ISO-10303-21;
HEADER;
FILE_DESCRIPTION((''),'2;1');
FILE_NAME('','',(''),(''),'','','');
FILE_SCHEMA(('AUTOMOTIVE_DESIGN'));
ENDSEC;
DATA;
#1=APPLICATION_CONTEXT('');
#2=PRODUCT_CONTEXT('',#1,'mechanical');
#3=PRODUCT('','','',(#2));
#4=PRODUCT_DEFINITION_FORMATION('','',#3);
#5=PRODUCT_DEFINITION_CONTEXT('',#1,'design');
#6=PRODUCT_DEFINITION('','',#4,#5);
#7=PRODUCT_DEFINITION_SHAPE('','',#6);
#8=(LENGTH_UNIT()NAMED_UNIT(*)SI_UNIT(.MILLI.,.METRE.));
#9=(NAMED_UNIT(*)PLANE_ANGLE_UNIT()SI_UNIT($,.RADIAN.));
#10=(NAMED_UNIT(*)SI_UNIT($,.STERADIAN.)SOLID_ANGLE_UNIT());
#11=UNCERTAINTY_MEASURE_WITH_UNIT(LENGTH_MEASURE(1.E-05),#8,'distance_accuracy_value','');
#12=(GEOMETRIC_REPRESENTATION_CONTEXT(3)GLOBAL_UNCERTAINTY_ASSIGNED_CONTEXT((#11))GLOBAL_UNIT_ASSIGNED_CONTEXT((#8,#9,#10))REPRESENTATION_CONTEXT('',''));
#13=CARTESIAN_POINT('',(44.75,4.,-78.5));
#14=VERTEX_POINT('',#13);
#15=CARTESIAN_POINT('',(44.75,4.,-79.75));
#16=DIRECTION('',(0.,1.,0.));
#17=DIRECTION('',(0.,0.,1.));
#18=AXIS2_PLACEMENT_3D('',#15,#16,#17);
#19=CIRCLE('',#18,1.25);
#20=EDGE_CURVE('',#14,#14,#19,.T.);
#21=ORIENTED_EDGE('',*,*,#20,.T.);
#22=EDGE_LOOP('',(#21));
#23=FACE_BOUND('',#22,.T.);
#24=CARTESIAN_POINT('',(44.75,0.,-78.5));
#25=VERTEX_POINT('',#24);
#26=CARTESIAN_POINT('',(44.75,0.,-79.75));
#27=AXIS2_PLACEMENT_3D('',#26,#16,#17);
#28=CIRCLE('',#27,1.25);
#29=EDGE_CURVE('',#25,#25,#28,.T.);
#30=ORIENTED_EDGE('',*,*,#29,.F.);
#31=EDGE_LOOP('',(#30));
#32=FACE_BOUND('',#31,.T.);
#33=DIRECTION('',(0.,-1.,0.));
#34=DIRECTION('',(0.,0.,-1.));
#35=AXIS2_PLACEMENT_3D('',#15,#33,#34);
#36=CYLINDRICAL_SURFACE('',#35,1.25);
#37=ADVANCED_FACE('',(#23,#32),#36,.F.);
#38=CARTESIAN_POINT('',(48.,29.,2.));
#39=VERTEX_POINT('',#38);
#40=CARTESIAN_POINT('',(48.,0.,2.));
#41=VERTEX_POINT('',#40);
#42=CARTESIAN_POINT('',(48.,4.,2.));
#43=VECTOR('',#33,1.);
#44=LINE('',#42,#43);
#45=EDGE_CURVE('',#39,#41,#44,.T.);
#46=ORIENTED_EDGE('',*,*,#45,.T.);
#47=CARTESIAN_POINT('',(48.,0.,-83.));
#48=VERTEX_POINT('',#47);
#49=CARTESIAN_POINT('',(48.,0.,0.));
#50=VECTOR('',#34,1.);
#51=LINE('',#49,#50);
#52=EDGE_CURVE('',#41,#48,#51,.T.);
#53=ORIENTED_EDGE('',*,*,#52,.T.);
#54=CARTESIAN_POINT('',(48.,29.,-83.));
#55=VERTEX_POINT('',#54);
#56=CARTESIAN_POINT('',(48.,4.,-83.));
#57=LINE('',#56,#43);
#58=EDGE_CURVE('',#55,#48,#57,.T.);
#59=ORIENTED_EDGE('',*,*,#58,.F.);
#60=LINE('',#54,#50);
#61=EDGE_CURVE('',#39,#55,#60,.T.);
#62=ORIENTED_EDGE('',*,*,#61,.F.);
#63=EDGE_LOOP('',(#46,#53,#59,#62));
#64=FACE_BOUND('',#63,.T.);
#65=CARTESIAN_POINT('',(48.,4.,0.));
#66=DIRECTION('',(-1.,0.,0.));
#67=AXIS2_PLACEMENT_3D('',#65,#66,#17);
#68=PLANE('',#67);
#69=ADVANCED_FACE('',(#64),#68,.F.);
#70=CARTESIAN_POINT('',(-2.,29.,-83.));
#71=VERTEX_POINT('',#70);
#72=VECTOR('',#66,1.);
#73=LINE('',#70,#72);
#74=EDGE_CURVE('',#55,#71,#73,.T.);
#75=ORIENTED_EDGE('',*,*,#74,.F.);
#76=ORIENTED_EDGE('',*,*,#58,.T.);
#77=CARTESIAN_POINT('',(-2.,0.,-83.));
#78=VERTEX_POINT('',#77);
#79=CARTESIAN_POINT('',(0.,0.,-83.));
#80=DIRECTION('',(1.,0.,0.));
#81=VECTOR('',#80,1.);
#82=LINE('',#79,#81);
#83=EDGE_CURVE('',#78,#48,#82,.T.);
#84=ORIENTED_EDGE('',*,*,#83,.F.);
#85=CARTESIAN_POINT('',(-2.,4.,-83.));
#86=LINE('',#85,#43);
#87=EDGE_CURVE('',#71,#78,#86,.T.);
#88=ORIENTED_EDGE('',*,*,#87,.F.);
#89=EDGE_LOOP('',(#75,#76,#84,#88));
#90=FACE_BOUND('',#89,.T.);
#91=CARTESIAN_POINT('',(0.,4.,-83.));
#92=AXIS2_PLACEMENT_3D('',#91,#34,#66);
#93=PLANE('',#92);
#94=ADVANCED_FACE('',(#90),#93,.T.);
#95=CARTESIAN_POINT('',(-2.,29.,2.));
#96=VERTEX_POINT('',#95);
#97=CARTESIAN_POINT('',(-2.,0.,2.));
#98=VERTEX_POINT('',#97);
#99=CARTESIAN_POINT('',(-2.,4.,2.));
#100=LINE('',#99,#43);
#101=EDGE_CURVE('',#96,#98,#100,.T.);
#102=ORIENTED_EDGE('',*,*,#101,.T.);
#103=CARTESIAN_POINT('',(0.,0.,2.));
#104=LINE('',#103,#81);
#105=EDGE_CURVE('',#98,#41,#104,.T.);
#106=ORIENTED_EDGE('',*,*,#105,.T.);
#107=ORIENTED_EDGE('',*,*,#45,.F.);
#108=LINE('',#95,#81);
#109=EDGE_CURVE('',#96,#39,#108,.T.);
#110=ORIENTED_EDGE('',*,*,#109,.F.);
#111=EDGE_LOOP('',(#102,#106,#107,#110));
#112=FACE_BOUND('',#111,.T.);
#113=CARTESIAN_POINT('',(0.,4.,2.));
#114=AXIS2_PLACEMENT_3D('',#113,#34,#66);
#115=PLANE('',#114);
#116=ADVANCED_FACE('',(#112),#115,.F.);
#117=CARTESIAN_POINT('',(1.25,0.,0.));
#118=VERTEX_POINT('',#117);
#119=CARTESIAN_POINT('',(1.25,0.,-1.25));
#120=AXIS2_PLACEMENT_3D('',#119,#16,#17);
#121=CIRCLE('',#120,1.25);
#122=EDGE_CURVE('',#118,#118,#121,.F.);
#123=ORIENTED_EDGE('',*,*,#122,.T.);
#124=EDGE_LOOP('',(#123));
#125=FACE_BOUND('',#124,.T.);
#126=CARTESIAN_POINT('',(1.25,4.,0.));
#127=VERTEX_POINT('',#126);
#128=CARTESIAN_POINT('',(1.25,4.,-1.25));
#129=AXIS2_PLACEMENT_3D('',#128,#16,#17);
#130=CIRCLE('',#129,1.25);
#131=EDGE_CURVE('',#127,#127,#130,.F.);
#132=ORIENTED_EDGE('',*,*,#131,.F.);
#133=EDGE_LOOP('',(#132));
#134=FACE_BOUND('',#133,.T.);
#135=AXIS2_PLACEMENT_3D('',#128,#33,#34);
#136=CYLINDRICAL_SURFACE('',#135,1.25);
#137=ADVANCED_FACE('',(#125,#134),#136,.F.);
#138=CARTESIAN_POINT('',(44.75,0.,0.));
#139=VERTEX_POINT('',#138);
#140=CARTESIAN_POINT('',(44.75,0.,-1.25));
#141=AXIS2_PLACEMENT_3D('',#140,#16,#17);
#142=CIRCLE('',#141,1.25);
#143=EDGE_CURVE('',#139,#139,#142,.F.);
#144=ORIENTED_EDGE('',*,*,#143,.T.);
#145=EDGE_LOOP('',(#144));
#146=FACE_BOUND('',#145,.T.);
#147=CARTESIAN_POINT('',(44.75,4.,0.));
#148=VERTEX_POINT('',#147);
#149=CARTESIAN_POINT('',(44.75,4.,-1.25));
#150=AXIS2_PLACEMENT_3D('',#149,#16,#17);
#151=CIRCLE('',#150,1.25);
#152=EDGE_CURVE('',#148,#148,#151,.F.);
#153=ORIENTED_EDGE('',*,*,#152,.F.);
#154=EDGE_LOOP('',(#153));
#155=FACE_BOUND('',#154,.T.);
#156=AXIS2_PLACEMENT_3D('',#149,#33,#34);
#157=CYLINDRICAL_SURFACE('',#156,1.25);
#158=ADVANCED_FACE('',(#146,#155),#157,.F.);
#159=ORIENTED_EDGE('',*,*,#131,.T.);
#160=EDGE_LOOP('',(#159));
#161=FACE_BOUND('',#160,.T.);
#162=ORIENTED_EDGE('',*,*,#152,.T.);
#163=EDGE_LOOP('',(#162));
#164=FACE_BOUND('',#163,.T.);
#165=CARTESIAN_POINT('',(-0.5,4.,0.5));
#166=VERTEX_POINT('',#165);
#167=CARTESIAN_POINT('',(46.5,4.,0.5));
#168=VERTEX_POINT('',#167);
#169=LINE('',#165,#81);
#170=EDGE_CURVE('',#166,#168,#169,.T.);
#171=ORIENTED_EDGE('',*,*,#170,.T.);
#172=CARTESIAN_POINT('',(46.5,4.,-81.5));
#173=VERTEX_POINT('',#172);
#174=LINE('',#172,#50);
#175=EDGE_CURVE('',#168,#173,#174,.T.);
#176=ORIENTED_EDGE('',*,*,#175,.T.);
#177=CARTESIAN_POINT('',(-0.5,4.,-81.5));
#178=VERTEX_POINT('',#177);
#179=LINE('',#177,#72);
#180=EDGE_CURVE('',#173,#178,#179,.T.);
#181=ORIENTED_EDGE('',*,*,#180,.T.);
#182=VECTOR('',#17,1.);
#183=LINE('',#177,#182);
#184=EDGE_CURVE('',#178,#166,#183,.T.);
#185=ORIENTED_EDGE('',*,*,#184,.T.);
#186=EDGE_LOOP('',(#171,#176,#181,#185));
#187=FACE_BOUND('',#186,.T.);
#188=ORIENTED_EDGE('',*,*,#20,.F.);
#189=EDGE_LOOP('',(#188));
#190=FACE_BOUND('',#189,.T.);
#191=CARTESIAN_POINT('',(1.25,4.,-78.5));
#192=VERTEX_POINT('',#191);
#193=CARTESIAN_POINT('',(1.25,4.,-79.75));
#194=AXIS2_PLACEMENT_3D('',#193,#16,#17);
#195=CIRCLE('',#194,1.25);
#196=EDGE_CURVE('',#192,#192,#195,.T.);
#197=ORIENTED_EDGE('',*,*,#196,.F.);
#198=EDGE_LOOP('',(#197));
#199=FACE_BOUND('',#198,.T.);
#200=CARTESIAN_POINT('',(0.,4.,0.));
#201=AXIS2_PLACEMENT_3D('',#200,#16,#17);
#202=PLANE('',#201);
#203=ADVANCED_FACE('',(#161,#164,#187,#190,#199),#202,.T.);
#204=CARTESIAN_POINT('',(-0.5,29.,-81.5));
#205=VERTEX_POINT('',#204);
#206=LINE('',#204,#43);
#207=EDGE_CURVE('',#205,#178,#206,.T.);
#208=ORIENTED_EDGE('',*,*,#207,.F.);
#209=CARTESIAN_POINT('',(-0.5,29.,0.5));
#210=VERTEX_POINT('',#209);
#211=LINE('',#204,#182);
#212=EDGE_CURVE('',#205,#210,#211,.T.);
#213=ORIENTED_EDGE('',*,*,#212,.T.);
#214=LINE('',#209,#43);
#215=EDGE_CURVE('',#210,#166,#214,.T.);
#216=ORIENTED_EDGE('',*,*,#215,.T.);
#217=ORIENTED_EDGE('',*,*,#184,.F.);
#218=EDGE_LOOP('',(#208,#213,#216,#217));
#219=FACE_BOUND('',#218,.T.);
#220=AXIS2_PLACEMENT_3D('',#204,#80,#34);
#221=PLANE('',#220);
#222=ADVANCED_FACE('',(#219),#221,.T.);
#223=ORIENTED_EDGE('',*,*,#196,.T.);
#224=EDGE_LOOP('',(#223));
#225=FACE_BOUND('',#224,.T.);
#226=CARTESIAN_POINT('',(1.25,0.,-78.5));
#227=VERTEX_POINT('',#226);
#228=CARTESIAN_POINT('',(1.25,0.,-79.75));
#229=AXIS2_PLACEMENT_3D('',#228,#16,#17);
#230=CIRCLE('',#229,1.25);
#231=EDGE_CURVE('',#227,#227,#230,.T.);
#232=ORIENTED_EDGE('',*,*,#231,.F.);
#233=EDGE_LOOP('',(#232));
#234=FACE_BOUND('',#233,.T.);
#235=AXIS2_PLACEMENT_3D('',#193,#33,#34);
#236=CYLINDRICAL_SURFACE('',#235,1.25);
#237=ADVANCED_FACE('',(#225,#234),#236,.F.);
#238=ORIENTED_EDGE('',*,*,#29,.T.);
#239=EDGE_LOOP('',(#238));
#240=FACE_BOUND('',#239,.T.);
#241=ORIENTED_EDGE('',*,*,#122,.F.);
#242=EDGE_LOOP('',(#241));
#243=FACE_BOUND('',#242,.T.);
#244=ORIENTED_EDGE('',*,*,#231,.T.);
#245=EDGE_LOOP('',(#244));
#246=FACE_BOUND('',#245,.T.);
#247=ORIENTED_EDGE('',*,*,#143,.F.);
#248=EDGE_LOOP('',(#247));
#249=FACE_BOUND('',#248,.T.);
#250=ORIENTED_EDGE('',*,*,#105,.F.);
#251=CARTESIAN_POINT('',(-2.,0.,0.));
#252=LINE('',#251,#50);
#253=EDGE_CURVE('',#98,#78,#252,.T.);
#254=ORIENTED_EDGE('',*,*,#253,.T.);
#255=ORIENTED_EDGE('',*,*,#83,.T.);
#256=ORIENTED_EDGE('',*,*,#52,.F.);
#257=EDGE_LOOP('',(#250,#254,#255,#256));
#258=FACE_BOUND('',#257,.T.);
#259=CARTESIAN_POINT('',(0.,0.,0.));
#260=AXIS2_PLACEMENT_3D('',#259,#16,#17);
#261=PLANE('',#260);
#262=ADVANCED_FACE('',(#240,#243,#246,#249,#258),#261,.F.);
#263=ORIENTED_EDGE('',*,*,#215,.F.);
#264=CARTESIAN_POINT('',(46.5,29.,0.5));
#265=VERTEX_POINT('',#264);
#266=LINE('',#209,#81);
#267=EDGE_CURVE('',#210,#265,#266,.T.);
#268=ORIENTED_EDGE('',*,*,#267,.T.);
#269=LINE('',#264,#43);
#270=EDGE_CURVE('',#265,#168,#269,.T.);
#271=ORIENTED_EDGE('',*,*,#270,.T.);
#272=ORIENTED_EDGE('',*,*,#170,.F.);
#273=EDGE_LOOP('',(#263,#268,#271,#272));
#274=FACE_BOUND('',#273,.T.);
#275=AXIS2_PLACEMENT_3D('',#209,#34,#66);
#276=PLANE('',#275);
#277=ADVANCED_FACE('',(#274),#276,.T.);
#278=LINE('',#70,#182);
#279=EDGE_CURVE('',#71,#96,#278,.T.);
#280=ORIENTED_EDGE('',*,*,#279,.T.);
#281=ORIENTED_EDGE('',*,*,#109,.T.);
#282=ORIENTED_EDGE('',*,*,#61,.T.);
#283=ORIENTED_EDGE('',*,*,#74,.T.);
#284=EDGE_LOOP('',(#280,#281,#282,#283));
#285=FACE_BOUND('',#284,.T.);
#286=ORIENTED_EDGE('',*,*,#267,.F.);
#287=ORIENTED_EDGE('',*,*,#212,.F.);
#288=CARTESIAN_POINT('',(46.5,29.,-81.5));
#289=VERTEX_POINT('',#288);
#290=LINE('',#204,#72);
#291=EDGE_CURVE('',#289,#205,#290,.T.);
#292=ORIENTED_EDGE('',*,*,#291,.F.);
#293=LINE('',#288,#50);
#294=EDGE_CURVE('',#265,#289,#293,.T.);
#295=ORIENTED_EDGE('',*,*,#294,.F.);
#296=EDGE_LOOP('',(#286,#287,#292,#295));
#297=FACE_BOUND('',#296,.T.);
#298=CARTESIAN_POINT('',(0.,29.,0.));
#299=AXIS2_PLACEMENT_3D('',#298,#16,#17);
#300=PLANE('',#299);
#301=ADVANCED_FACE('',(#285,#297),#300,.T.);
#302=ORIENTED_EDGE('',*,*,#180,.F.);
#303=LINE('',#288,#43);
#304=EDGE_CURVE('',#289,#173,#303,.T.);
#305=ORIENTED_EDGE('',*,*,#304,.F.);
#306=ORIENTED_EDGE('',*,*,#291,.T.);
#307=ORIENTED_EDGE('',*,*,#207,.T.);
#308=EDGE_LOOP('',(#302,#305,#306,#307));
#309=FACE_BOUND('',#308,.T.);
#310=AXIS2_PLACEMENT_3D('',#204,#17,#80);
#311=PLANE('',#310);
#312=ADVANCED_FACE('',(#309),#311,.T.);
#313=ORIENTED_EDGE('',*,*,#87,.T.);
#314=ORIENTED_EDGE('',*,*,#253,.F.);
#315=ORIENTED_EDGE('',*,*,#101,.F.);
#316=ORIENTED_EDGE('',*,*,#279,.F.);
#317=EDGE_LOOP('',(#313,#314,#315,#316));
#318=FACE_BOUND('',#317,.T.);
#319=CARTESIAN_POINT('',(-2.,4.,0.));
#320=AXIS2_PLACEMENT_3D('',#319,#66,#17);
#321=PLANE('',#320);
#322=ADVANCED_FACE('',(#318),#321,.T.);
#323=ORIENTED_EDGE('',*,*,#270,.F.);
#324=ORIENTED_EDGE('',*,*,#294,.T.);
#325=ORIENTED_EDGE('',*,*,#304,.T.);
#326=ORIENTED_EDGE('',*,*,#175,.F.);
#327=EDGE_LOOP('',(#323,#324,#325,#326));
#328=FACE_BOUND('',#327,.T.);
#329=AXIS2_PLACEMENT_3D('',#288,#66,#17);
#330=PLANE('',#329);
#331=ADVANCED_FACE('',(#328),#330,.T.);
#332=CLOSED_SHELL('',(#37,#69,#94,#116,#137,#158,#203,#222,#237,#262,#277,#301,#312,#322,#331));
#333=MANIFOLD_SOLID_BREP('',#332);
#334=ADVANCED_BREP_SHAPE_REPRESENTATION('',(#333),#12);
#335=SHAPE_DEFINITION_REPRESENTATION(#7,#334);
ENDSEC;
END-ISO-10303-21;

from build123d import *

# Parameters (mm, degrees)
SKETCH1_W           = 50
SKETCH1_H           = 85
SKETCH1_R           = 1.25
BOSS_EXTRUDE3_DEPTH = 4
SKETCH2_W           = 50
SKETCH2_H           = 85
SKETCH2_W_2         = 47
SKETCH2_H_2         = 82
BOSS_EXTRUDE4_DEPTH = 25


with BuildPart() as part:
    # Sketch1 → Boss-Extrude3 (new body)
    with BuildSketch(Plane(origin=(0, 0, 0), x_dir=(1, 0, 0), z_dir=(0, 1, 0))):
        with Locations((23, 40.5)):
            Rectangle(SKETCH1_W, SKETCH1_H)
        with Locations((1.25, 79.75)):
            Circle(SKETCH1_R, mode=Mode.SUBTRACT)
        with Locations((44.75, 79.75)):
            Circle(SKETCH1_R, mode=Mode.SUBTRACT)
        with Locations((44.75, 1.25)):
            Circle(SKETCH1_R, mode=Mode.SUBTRACT)
        with Locations((1.25, 1.25)):
            Circle(SKETCH1_R, mode=Mode.SUBTRACT)
    extrude(amount=BOSS_EXTRUDE3_DEPTH)

    # Sketch2 → Boss-Extrude4 (add)
    with BuildSketch(Plane(origin=(0, 4, 0), x_dir=(1, 0, 0), z_dir=(0, 1, 0))):
        with Locations((23, 40.5)):
            Rectangle(SKETCH2_W, SKETCH2_H)
        with Locations((23, 40.5)):
            Rectangle(SKETCH2_W_2, SKETCH2_H_2, mode=Mode.SUBTRACT)
    extrude(amount=BOSS_EXTRUDE4_DEPTH)


solid = part.part
